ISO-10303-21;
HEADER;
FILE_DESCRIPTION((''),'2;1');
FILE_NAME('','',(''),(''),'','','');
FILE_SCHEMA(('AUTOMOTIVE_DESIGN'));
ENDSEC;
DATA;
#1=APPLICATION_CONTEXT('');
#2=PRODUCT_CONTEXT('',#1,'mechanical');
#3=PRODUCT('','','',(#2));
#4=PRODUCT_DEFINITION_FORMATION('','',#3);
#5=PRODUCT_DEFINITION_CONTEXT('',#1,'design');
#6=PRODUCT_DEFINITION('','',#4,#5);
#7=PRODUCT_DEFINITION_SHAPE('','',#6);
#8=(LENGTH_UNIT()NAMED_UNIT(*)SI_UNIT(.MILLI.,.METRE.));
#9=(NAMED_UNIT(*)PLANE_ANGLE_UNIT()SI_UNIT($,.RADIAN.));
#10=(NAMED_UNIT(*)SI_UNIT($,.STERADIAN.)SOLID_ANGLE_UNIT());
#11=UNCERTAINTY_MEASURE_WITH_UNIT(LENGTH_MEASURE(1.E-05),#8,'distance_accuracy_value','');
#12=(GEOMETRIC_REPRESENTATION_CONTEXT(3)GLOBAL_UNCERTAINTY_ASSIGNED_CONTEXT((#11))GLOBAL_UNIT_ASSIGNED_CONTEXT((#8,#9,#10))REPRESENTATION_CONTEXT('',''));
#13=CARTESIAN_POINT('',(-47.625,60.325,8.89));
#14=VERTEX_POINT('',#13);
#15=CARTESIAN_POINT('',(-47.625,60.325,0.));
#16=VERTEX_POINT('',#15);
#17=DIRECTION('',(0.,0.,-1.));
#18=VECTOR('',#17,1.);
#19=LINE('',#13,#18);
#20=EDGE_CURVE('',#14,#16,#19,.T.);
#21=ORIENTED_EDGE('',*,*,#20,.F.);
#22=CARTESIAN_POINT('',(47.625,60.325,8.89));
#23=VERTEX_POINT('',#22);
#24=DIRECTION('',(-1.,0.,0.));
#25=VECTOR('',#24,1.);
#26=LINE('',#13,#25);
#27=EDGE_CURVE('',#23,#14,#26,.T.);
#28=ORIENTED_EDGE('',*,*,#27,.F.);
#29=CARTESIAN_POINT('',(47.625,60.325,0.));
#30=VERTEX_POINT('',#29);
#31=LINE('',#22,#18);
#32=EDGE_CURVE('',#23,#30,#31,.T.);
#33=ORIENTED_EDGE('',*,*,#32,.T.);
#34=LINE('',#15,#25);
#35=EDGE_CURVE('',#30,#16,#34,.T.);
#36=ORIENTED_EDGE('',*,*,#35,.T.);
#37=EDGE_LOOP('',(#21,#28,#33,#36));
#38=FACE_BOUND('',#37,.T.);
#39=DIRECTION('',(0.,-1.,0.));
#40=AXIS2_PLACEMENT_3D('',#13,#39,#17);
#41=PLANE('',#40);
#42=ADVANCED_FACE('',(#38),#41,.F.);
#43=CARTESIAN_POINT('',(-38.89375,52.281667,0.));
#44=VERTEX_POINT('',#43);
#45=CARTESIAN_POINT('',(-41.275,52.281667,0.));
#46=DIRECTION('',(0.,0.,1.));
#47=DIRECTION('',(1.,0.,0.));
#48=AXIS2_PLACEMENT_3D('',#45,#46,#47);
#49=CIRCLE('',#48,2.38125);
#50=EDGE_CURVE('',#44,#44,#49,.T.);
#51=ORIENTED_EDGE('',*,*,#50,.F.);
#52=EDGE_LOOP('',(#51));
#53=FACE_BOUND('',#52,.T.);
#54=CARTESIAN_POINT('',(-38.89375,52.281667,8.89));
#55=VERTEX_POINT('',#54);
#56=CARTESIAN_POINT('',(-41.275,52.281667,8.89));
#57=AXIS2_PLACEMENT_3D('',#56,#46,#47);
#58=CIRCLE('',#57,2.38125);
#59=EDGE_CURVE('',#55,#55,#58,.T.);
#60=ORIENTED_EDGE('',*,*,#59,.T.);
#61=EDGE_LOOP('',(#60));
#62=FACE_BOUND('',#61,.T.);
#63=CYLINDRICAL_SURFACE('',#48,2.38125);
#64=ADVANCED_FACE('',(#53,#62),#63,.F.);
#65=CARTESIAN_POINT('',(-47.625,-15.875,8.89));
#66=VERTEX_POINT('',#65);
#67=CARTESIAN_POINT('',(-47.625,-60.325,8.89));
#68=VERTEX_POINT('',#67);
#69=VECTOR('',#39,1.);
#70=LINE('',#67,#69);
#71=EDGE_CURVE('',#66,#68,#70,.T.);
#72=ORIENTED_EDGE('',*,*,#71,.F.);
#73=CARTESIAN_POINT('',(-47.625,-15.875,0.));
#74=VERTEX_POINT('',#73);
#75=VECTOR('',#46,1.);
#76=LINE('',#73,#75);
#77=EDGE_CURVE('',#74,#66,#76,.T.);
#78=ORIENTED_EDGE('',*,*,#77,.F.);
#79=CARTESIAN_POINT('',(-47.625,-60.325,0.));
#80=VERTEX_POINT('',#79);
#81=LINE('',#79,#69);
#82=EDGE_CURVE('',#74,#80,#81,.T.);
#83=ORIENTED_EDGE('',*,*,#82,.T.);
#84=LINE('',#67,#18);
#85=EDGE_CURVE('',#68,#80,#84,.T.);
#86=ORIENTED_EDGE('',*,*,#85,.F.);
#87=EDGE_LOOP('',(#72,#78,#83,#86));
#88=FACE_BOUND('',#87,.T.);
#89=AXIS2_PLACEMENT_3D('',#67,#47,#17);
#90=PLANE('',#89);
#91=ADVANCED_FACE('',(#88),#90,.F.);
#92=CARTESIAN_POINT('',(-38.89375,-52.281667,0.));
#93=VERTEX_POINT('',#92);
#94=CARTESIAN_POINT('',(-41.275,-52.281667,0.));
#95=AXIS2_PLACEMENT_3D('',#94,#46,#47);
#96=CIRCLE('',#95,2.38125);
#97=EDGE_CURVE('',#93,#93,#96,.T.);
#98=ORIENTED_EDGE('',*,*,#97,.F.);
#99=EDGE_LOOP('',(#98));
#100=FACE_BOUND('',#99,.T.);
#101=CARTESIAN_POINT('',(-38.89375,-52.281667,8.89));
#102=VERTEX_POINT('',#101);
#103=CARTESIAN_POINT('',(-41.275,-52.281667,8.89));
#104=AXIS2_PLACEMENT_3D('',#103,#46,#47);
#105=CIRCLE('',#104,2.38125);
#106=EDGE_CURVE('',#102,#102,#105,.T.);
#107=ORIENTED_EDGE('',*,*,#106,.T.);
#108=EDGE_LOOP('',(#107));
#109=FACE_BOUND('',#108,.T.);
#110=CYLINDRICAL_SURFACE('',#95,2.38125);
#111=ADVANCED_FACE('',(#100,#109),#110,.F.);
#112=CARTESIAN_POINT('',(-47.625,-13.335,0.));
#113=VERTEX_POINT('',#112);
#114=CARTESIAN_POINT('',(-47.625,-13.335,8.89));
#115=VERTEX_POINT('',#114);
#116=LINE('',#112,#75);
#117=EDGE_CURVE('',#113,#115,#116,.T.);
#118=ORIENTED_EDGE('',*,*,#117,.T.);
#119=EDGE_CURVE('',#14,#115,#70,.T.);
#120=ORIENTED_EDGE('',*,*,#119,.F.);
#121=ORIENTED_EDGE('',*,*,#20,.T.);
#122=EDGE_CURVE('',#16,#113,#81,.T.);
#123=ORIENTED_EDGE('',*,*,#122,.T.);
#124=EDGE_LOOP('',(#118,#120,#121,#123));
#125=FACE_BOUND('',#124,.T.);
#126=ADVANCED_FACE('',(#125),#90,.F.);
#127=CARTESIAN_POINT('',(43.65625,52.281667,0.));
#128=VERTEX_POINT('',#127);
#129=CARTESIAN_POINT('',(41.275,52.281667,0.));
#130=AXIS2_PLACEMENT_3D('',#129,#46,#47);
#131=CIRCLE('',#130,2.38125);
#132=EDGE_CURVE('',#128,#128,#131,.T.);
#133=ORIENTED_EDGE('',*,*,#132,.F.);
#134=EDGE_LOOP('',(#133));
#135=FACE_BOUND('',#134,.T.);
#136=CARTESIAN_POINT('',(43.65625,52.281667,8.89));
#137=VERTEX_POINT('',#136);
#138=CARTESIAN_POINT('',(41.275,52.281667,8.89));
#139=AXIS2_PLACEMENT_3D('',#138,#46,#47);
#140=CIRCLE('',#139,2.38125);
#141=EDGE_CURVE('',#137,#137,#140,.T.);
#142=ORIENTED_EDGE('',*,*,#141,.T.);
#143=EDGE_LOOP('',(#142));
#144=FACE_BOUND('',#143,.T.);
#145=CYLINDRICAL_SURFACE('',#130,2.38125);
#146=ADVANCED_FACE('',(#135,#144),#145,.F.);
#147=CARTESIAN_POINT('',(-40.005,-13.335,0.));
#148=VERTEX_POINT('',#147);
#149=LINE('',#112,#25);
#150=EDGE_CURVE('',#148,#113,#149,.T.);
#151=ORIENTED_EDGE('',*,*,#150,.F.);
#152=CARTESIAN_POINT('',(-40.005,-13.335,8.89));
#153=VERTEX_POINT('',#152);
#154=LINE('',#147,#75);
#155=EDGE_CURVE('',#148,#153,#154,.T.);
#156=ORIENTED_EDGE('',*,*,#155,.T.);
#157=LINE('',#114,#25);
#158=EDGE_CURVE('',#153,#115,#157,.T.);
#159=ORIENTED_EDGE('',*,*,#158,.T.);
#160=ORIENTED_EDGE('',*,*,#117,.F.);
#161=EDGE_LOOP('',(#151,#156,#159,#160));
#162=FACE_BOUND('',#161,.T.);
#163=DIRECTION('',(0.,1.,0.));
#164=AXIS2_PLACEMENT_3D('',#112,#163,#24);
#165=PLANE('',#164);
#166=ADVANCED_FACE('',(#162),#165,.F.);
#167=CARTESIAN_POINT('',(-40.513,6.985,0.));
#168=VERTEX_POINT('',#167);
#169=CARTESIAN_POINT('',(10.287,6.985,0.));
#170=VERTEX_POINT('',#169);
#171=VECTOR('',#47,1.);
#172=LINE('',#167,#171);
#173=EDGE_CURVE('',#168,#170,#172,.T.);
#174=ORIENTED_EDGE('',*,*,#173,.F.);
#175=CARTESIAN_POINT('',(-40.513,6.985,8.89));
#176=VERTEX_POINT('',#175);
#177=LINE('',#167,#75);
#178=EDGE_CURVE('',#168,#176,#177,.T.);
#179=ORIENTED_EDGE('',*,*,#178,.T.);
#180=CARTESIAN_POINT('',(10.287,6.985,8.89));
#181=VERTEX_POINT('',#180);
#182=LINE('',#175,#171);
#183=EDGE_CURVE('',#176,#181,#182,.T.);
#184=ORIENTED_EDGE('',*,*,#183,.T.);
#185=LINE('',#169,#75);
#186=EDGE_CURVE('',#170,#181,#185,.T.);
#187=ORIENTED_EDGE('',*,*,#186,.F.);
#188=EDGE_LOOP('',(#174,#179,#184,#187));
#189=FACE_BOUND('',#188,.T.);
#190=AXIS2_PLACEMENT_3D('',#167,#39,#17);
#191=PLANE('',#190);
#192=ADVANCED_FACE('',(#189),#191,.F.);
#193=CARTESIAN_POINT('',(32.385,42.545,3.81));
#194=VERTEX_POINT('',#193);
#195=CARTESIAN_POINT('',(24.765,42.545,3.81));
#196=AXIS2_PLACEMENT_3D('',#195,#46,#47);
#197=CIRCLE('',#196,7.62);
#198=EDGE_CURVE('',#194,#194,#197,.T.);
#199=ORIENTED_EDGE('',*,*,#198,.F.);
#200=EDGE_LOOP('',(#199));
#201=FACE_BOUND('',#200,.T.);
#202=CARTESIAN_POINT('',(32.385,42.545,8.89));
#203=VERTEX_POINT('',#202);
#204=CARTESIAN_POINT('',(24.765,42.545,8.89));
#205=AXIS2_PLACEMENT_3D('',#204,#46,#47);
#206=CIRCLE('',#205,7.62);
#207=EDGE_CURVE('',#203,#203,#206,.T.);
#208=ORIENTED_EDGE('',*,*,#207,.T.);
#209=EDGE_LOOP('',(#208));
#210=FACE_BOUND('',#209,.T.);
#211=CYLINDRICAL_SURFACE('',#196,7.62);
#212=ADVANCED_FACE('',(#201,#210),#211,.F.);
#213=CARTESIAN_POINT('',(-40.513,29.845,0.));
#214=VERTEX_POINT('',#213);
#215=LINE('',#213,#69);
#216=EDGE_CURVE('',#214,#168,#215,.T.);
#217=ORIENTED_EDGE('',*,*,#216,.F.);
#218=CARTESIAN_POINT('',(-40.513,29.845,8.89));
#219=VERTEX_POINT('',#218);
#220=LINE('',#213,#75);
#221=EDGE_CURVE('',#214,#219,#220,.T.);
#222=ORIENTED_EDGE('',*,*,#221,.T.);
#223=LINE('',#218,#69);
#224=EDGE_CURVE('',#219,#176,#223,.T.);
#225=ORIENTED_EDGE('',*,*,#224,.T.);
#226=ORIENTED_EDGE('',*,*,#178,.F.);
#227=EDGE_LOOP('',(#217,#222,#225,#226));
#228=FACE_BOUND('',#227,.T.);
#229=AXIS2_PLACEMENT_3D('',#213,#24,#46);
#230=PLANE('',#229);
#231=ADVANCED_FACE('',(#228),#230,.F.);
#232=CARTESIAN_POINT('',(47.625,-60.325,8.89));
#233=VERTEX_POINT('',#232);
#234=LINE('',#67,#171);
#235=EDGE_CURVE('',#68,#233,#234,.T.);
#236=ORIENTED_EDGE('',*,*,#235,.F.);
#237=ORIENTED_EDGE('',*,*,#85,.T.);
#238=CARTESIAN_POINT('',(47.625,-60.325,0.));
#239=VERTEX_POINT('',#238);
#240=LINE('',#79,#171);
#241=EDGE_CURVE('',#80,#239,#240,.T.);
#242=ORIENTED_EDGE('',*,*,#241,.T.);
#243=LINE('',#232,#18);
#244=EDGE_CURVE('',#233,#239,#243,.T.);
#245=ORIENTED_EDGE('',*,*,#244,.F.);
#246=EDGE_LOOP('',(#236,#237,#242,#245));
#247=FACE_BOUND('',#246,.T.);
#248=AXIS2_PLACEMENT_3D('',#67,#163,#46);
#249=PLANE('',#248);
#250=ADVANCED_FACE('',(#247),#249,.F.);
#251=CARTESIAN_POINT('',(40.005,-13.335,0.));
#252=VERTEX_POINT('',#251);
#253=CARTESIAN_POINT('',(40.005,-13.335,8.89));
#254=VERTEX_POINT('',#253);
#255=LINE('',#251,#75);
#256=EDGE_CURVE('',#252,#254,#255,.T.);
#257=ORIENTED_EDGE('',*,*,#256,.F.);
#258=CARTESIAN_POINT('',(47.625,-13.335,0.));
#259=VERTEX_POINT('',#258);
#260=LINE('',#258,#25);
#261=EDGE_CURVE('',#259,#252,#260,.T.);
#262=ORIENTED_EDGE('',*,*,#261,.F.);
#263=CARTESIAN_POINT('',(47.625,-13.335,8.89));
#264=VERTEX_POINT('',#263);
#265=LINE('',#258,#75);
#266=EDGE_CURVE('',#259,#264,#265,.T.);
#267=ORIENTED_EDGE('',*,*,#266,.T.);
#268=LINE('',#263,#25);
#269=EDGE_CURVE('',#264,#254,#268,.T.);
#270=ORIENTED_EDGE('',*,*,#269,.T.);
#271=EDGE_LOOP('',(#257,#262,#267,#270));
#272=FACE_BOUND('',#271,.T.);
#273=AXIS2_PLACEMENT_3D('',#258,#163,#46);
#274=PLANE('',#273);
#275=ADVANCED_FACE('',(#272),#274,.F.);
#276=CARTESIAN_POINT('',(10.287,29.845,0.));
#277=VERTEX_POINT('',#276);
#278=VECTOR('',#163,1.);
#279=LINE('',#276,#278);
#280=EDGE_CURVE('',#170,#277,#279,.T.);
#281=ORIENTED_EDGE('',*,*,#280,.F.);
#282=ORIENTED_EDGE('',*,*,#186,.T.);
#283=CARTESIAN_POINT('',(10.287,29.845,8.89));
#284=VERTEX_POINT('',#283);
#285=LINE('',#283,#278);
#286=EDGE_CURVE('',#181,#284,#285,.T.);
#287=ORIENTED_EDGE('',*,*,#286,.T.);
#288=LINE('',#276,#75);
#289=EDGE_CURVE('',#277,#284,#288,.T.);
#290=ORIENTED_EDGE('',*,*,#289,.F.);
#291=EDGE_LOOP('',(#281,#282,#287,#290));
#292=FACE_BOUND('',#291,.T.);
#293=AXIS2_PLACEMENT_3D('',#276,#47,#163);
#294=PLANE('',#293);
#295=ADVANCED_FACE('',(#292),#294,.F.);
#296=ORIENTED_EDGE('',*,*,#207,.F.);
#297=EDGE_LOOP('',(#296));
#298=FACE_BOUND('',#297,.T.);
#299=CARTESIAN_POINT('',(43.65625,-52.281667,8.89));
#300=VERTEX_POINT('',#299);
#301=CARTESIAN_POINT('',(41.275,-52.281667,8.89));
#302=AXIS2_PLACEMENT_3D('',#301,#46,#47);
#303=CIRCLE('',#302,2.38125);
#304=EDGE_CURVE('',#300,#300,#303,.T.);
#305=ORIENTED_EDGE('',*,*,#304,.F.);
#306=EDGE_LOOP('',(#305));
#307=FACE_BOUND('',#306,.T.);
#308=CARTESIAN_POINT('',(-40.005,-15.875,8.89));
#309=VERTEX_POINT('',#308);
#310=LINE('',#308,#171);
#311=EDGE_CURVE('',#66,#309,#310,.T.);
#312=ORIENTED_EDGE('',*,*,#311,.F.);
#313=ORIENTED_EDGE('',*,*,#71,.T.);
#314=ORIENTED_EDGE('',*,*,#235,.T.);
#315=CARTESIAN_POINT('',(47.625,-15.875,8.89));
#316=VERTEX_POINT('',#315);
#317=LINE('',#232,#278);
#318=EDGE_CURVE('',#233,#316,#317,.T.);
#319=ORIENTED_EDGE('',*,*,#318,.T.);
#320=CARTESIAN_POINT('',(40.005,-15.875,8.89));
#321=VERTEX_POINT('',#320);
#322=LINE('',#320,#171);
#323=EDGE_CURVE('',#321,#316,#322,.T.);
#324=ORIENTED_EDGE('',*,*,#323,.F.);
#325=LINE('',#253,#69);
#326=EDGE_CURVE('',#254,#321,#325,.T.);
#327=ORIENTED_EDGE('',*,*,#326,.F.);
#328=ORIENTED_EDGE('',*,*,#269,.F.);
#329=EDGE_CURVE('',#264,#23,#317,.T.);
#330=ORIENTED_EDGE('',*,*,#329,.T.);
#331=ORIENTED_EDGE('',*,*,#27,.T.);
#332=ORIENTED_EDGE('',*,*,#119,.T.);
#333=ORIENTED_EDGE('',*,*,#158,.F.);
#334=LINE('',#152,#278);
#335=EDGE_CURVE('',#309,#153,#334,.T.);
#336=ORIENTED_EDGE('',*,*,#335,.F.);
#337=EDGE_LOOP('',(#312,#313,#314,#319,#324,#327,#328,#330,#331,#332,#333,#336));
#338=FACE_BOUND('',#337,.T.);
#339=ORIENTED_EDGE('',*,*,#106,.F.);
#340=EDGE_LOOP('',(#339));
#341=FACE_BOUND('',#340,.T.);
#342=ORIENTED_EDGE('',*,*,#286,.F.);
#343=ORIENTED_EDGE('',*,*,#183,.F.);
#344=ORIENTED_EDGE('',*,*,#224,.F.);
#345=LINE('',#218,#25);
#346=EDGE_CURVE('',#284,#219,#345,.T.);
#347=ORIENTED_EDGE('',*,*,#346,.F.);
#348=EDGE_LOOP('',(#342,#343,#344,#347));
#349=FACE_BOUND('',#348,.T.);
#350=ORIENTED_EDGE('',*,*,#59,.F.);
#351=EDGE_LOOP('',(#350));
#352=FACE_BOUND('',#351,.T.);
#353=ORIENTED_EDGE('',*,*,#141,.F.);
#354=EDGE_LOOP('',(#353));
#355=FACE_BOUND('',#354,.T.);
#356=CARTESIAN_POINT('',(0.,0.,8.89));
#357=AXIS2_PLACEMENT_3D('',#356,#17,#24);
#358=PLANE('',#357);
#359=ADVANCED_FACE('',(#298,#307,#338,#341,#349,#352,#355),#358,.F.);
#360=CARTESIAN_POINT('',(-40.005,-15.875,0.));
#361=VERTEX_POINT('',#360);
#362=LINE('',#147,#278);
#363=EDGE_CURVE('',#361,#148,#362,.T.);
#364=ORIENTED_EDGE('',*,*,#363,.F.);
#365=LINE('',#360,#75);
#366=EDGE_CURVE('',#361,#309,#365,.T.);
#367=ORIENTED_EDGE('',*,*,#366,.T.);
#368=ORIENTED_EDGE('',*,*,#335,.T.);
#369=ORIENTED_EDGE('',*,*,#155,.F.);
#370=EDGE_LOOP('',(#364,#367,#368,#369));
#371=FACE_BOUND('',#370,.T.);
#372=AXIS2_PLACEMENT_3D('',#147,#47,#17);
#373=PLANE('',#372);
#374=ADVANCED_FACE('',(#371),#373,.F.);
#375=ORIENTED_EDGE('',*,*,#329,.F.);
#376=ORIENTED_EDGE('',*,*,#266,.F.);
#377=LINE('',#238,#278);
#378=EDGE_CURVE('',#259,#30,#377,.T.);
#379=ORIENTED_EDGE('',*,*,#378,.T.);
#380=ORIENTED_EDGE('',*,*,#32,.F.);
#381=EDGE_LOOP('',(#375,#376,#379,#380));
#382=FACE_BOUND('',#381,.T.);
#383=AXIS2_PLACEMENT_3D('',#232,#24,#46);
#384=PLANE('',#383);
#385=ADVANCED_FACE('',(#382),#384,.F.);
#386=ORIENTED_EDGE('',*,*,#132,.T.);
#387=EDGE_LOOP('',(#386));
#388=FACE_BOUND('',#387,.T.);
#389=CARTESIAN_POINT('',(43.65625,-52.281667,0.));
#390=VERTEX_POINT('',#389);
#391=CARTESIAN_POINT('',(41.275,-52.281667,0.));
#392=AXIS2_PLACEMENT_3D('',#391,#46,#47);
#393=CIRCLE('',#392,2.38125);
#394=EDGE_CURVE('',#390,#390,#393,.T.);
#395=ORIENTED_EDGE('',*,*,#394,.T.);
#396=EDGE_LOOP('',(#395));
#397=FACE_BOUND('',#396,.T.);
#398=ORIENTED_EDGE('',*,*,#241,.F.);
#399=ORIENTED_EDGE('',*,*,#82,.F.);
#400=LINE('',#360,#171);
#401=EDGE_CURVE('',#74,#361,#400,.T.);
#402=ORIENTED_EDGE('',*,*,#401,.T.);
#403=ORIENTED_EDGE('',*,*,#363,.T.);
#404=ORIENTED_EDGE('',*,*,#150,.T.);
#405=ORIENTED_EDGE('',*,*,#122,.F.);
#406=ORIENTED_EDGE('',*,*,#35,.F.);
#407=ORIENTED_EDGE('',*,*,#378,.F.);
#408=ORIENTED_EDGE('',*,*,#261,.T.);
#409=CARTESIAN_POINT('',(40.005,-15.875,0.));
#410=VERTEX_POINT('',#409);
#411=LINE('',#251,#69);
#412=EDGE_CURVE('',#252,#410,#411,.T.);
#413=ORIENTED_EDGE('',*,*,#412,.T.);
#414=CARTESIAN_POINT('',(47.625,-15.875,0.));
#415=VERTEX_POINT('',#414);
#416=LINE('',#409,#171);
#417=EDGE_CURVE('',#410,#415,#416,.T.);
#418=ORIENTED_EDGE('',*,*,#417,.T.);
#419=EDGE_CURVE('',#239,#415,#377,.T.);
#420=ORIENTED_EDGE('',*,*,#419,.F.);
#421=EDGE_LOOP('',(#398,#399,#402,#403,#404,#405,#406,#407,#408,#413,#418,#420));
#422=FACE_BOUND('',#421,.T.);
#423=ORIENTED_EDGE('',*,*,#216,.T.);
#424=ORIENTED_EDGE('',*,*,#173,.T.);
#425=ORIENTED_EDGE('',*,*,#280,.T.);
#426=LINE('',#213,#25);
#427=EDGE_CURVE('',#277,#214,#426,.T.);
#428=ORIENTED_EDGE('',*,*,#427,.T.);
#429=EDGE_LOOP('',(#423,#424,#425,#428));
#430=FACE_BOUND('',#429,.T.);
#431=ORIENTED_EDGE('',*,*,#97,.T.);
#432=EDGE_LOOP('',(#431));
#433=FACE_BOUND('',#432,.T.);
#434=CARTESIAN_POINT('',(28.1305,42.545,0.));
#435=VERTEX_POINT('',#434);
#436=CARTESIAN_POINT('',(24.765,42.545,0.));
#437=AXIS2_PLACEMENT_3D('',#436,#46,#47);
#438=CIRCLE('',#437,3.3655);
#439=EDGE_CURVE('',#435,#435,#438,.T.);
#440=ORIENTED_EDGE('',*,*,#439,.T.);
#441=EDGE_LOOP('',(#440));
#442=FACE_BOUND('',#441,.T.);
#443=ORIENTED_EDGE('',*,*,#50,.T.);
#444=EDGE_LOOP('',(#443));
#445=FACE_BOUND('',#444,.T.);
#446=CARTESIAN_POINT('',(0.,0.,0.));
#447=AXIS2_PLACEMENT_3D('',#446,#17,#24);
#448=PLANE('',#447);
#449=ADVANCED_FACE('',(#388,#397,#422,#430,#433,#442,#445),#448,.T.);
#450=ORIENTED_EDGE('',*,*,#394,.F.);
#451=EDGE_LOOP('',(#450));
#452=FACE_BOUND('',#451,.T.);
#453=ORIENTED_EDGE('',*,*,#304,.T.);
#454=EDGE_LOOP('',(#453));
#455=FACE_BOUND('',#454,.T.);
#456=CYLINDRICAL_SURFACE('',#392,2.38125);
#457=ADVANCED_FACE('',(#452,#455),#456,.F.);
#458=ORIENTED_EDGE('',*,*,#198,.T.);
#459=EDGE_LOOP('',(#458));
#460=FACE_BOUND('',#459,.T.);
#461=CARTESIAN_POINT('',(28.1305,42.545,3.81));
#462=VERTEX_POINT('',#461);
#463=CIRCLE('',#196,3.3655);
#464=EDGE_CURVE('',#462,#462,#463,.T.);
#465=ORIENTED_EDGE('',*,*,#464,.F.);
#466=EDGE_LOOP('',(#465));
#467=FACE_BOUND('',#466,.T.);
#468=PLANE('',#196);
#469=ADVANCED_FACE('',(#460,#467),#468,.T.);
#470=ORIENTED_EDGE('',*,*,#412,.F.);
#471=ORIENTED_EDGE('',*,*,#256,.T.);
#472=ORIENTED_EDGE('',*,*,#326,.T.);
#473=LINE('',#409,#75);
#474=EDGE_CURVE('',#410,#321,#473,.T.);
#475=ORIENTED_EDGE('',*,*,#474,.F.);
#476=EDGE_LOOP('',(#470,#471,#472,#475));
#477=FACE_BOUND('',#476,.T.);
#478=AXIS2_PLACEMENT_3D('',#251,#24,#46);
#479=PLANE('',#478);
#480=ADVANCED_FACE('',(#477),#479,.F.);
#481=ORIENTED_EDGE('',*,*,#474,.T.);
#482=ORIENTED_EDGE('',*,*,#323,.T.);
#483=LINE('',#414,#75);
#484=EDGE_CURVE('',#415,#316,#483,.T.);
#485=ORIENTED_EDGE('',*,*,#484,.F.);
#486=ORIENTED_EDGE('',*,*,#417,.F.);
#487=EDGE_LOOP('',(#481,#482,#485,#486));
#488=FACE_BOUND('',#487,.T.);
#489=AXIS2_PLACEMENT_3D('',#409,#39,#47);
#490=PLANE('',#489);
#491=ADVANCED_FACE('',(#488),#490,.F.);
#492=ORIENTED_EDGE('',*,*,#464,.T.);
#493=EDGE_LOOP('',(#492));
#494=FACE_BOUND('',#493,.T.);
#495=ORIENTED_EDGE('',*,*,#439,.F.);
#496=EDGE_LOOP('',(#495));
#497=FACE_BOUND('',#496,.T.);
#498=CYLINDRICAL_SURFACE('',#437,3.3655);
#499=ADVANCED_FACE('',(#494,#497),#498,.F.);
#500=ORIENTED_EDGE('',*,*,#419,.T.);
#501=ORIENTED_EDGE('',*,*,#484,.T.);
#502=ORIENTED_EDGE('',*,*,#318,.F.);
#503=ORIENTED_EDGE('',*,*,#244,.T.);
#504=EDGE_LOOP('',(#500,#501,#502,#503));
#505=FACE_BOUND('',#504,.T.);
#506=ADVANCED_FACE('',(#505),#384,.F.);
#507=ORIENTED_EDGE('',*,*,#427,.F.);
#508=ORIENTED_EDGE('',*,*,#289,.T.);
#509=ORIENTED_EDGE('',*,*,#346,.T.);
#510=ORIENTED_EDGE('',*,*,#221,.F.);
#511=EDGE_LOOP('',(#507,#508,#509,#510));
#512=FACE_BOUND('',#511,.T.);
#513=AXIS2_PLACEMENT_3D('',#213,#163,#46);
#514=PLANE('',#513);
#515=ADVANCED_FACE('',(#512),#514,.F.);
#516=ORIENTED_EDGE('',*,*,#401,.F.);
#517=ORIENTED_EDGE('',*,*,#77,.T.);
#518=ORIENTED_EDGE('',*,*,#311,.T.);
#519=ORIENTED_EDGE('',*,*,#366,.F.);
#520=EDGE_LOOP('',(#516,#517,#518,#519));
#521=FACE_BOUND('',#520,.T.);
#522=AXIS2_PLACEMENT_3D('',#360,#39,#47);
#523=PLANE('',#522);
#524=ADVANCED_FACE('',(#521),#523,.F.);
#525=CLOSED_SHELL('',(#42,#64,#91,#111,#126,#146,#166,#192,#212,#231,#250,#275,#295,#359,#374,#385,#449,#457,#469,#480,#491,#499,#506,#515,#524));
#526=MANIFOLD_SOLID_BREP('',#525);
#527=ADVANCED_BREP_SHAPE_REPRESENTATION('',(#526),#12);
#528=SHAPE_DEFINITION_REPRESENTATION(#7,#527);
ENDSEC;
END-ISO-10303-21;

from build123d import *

# Parameters (mm, degrees)
SKETCH1_W           = 95.25
SKETCH1_H           = 120.65
BOSS_EXTRUDE1_DEPTH = 8.89
SKETCH2_OUTSIDE_W   = 128.044
SKETCH2_OUTSIDE_H   = 153.444
SKETCH2_OUTSIDE_W_2 = 95.25
SKETCH2_OUTSIDE_H_2 = 120.65
SKETCH2_OUTSIDE_R   = 2.38125
CUT_EXTRUDE2_DEPTH  = 9.89
SKETCH3_R           = 7.62
CUT_EXTRUDE3_DEPTH  = 5.08
SKETCH4_R           = 3.3655
CUT_EXTRUDE4_DEPTH  = 4.81
SKETCH5_W           = 50.8
SKETCH5_H           = 22.86
CUT_EXTRUDE5_DEPTH  = 9.89
SKETCH6_W           = 7.62
SKETCH6_H           = 2.54
CUT_EXTRUDE6_DEPTH  = 9.89


with BuildPart() as part:
    # Sketch1 → Boss-Extrude1 (new body)
    with BuildSketch(Plane.XY):
        Rectangle(SKETCH1_W, SKETCH1_H)
    extrude(amount=BOSS_EXTRUDE1_DEPTH)

    # Sketch2 outside → Cut-Extrude2 (cut, through all)
    with BuildSketch(Plane.XY.offset(8.89)):
        Rectangle(SKETCH2_OUTSIDE_W, SKETCH2_OUTSIDE_H)
        Rectangle(SKETCH2_OUTSIDE_W_2, SKETCH2_OUTSIDE_H_2, mode=Mode.SUBTRACT)
        with Locations((-41.275, 52.281666667)):
            Circle(SKETCH2_OUTSIDE_R)
        with Locations((41.275, 52.281666667)):
            Circle(SKETCH2_OUTSIDE_R)
        with Locations((41.275, -52.281666667)):
            Circle(SKETCH2_OUTSIDE_R)
        with Locations((-41.275, -52.281666667)):
            Circle(SKETCH2_OUTSIDE_R)
    extrude(amount=-CUT_EXTRUDE2_DEPTH, mode=Mode.SUBTRACT)

    # Sketch3 → Cut-Extrude3 (cut)
    with BuildSketch(Plane.XY.offset(8.89)):
        with Locations((24.765, 42.545)):
            Circle(SKETCH3_R)
    extrude(amount=-CUT_EXTRUDE3_DEPTH, mode=Mode.SUBTRACT)

    # Sketch4 → Cut-Extrude4 (cut, through all)
    with BuildSketch(Plane.XY.offset(3.81)):
        with Locations((24.765, 42.545)):
            Circle(SKETCH4_R)
    extrude(amount=-CUT_EXTRUDE4_DEPTH, mode=Mode.SUBTRACT)

    # Sketch5 → Cut-Extrude5 (cut, through all)
    with BuildSketch(Plane.XY.offset(8.89)):
        with Locations((-15.113, 18.415)):
            Rectangle(SKETCH5_W, SKETCH5_H)
    extrude(amount=-CUT_EXTRUDE5_DEPTH, mode=Mode.SUBTRACT)

    # Sketch6 → Cut-Extrude6 (cut, through all)
    with BuildSketch(Plane.XY.offset(8.89)):
        with Locations((-43.815, -14.605)):
            Rectangle(SKETCH6_W, SKETCH6_H)
        with Locations((43.815, -14.605)):
            Rectangle(SKETCH6_W, SKETCH6_H)
    extrude(amount=-CUT_EXTRUDE6_DEPTH, mode=Mode.SUBTRACT)


solid = part.part
